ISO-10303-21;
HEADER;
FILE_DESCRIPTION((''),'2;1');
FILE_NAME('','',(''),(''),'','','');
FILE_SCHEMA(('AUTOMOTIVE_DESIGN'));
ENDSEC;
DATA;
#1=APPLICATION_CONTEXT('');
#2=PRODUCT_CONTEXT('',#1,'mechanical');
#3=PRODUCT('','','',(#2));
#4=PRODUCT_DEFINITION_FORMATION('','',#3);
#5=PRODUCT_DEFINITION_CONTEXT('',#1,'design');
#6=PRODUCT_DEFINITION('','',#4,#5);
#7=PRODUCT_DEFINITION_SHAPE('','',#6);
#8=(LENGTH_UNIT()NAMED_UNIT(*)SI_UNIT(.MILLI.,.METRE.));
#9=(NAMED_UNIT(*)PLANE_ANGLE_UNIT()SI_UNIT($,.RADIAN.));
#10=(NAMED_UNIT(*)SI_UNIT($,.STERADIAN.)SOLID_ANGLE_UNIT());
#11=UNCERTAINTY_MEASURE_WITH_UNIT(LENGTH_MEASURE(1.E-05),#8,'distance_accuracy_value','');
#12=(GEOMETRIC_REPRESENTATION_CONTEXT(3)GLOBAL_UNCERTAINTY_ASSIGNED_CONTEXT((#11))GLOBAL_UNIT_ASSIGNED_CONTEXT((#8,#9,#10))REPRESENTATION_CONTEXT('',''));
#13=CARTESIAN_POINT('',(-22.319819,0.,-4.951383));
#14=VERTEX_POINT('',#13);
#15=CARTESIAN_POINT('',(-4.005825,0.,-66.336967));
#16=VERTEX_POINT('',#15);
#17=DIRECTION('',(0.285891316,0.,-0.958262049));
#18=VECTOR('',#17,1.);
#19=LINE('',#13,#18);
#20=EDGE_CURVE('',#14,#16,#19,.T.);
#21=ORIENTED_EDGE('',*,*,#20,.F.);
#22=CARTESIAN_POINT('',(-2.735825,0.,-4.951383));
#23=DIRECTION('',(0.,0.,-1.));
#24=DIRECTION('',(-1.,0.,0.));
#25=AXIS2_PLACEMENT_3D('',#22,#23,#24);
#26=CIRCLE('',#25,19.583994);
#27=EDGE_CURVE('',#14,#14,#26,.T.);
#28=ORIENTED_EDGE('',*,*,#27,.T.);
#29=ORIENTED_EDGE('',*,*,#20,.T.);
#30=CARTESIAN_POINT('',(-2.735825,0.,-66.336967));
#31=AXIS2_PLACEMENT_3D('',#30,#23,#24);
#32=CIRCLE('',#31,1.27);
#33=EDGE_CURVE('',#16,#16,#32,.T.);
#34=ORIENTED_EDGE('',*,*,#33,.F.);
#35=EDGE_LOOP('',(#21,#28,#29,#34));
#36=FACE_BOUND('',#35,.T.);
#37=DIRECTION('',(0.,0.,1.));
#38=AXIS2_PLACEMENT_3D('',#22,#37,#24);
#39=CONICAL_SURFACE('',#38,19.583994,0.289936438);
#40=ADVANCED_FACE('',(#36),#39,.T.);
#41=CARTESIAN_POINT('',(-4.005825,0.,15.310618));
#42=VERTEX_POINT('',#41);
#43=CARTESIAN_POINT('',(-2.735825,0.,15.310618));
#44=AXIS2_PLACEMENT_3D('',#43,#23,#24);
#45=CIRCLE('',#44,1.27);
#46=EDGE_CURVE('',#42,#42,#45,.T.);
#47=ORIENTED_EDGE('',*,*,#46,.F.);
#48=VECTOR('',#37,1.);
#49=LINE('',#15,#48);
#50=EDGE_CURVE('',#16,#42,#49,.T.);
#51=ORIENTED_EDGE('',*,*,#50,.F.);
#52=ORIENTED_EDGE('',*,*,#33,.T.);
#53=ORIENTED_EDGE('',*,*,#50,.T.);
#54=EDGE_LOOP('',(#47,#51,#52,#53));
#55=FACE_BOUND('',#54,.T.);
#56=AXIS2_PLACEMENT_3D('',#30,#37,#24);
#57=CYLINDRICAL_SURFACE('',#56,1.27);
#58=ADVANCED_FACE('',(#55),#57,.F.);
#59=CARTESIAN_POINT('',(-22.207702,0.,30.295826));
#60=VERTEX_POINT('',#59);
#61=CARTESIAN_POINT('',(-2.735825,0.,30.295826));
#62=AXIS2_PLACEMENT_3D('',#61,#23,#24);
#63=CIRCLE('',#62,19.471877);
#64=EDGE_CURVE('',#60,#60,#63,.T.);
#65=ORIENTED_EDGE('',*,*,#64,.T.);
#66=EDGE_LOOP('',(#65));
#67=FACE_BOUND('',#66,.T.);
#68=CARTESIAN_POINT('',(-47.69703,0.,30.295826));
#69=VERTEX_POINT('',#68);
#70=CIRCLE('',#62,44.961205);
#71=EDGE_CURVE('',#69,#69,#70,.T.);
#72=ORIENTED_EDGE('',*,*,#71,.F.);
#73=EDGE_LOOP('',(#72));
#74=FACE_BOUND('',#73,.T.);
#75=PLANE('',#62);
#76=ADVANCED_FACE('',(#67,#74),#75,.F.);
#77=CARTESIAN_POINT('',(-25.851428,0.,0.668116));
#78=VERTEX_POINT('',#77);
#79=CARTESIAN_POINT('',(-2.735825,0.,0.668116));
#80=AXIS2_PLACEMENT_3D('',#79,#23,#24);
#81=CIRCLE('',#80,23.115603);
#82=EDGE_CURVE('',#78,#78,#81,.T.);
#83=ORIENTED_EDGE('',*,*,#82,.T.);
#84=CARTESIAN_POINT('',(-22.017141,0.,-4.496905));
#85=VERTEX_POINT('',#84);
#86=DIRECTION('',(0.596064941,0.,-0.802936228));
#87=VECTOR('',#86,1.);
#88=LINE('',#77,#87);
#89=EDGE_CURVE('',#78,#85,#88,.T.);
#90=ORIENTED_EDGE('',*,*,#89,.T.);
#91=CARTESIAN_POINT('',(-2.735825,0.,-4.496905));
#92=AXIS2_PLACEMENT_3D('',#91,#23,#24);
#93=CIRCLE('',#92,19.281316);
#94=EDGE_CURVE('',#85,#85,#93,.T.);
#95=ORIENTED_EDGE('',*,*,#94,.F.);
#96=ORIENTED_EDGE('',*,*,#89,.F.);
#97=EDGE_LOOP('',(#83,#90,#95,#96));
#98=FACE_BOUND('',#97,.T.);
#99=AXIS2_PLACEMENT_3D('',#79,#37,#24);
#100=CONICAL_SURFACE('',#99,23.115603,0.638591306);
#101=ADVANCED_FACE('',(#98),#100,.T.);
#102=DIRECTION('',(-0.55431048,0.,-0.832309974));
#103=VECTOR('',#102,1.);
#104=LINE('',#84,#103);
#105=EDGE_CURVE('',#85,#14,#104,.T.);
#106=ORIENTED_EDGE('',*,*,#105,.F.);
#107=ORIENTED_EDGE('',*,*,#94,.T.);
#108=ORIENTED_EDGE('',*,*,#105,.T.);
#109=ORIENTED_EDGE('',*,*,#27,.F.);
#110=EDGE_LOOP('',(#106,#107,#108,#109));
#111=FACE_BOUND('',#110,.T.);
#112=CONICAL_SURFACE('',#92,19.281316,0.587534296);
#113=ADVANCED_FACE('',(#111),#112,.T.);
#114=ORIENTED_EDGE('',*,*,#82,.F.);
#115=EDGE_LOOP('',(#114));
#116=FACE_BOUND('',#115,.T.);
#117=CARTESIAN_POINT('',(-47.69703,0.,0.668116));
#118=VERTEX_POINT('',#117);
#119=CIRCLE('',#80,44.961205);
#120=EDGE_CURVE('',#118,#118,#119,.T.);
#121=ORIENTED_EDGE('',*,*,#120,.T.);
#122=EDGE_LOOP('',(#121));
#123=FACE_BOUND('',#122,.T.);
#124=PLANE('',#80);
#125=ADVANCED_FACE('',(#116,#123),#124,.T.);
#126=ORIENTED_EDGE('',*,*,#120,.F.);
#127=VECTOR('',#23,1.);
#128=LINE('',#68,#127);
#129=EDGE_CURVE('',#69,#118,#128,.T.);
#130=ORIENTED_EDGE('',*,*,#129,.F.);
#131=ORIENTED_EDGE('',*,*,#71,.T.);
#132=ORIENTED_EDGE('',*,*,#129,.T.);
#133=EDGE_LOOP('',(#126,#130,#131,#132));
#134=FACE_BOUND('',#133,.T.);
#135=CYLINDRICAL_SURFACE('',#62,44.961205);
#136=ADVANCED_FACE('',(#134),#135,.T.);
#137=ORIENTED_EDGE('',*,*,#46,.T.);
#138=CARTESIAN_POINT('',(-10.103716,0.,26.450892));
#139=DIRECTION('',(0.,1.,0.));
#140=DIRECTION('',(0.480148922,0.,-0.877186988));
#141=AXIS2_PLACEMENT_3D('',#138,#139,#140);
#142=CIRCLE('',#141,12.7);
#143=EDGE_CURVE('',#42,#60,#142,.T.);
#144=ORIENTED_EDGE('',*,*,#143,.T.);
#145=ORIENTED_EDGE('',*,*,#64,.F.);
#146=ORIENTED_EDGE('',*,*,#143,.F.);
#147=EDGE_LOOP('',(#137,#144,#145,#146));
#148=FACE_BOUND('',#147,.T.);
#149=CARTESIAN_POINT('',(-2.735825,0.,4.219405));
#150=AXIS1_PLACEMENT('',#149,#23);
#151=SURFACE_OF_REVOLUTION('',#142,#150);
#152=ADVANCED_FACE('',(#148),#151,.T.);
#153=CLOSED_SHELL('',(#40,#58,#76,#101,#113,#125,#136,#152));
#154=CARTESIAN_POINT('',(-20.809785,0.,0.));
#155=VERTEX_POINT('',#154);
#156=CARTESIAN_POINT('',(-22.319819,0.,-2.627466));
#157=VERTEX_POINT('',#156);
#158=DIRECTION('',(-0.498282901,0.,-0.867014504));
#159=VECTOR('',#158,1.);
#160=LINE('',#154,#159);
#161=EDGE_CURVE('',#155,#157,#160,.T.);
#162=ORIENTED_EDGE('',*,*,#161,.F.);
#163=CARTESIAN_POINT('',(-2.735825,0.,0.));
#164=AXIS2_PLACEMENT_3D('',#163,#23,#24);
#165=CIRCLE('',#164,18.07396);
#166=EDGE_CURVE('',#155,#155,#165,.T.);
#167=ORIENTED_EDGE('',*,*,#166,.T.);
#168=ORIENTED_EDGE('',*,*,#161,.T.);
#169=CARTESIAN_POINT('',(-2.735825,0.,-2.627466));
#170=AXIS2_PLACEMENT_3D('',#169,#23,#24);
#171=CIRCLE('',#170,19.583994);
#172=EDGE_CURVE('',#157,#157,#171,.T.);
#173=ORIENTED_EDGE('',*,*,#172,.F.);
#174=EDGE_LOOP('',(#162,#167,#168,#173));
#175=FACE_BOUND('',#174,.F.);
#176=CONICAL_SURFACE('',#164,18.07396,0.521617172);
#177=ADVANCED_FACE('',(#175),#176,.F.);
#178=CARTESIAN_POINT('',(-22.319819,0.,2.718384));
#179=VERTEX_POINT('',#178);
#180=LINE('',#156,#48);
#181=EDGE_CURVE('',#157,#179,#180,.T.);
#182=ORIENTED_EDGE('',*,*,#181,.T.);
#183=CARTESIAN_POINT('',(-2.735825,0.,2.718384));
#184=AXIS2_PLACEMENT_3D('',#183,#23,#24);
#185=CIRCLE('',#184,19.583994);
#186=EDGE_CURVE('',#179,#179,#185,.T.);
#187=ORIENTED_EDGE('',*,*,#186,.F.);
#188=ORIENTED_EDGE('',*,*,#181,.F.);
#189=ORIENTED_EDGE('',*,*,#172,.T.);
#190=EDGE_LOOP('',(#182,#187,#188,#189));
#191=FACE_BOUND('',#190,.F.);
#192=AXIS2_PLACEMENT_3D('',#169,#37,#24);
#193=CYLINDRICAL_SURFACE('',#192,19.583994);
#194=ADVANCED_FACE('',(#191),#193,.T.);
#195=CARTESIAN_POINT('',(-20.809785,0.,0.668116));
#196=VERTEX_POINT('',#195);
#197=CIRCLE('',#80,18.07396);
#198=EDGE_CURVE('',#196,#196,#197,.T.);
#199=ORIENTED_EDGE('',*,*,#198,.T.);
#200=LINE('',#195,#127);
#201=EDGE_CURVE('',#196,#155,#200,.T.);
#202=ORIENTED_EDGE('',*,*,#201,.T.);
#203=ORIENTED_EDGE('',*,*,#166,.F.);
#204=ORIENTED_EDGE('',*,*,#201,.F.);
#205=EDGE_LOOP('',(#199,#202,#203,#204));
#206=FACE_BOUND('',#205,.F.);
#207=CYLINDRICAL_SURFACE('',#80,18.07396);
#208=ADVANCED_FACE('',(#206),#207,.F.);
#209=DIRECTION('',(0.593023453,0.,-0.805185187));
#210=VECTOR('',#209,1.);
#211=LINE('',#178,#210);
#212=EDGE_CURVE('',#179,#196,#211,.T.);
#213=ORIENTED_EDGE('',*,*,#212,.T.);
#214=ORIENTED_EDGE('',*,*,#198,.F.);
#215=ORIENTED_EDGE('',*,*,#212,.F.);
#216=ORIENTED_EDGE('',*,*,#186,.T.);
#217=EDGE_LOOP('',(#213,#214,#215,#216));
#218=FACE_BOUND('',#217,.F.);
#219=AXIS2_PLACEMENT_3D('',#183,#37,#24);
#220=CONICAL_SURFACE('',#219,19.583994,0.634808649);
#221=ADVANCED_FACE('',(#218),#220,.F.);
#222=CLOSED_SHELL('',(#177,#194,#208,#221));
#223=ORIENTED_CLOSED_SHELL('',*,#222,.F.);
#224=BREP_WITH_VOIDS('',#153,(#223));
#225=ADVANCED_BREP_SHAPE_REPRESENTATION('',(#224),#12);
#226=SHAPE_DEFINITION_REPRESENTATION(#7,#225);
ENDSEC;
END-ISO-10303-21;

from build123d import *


with BuildPart() as f1:
    # F0 (on Front) → F1 (revolve)
    with BuildSketch(Plane.XZ):
        Polygon((-22.017141, -4.496905), (-22.319819, -4.951383), (-4.005825, -66.336967), (-4.005825, 0.668116), (-20.809785, 0.668116), (-20.809785, 0), (-22.319819, -2.627466), align=None)
        Polygon((-22.319819, 0.668116), (-25.851428, 0.668116), (-22.017141, -4.496905), (-22.319819, -2.627466), align=None)
        with BuildLine():
            Line((-22.207702, 30.295826), (-47.69703, 30.295826))
            Line((-47.69703, 30.295826), (-47.69703, 0.668116))
            Line((-47.69703, 0.668116), (-25.851428, 0.668116))
            Line((-25.851428, 0.668116), (-22.319819, 0.668116))
            Line((-22.319819, 0.668116), (-22.319819, 2.718384))
            Line((-22.319819, 2.718384), (-20.809785, 0.668116))
            Line((-20.809785, 0.668116), (-4.005825, 0.668116))
            Line((-4.005825, 0.668116), (-4.005825, 15.310618))
            ThreePointArc((-4.005825, 15.310618), (-18.17573, 16.64617), (-22.207702, 30.295826))
        make_face()
    revolve(axis=Axis((-2.735825, 0, 4.219405), (0, 0, -1)))


solid = f1.part
